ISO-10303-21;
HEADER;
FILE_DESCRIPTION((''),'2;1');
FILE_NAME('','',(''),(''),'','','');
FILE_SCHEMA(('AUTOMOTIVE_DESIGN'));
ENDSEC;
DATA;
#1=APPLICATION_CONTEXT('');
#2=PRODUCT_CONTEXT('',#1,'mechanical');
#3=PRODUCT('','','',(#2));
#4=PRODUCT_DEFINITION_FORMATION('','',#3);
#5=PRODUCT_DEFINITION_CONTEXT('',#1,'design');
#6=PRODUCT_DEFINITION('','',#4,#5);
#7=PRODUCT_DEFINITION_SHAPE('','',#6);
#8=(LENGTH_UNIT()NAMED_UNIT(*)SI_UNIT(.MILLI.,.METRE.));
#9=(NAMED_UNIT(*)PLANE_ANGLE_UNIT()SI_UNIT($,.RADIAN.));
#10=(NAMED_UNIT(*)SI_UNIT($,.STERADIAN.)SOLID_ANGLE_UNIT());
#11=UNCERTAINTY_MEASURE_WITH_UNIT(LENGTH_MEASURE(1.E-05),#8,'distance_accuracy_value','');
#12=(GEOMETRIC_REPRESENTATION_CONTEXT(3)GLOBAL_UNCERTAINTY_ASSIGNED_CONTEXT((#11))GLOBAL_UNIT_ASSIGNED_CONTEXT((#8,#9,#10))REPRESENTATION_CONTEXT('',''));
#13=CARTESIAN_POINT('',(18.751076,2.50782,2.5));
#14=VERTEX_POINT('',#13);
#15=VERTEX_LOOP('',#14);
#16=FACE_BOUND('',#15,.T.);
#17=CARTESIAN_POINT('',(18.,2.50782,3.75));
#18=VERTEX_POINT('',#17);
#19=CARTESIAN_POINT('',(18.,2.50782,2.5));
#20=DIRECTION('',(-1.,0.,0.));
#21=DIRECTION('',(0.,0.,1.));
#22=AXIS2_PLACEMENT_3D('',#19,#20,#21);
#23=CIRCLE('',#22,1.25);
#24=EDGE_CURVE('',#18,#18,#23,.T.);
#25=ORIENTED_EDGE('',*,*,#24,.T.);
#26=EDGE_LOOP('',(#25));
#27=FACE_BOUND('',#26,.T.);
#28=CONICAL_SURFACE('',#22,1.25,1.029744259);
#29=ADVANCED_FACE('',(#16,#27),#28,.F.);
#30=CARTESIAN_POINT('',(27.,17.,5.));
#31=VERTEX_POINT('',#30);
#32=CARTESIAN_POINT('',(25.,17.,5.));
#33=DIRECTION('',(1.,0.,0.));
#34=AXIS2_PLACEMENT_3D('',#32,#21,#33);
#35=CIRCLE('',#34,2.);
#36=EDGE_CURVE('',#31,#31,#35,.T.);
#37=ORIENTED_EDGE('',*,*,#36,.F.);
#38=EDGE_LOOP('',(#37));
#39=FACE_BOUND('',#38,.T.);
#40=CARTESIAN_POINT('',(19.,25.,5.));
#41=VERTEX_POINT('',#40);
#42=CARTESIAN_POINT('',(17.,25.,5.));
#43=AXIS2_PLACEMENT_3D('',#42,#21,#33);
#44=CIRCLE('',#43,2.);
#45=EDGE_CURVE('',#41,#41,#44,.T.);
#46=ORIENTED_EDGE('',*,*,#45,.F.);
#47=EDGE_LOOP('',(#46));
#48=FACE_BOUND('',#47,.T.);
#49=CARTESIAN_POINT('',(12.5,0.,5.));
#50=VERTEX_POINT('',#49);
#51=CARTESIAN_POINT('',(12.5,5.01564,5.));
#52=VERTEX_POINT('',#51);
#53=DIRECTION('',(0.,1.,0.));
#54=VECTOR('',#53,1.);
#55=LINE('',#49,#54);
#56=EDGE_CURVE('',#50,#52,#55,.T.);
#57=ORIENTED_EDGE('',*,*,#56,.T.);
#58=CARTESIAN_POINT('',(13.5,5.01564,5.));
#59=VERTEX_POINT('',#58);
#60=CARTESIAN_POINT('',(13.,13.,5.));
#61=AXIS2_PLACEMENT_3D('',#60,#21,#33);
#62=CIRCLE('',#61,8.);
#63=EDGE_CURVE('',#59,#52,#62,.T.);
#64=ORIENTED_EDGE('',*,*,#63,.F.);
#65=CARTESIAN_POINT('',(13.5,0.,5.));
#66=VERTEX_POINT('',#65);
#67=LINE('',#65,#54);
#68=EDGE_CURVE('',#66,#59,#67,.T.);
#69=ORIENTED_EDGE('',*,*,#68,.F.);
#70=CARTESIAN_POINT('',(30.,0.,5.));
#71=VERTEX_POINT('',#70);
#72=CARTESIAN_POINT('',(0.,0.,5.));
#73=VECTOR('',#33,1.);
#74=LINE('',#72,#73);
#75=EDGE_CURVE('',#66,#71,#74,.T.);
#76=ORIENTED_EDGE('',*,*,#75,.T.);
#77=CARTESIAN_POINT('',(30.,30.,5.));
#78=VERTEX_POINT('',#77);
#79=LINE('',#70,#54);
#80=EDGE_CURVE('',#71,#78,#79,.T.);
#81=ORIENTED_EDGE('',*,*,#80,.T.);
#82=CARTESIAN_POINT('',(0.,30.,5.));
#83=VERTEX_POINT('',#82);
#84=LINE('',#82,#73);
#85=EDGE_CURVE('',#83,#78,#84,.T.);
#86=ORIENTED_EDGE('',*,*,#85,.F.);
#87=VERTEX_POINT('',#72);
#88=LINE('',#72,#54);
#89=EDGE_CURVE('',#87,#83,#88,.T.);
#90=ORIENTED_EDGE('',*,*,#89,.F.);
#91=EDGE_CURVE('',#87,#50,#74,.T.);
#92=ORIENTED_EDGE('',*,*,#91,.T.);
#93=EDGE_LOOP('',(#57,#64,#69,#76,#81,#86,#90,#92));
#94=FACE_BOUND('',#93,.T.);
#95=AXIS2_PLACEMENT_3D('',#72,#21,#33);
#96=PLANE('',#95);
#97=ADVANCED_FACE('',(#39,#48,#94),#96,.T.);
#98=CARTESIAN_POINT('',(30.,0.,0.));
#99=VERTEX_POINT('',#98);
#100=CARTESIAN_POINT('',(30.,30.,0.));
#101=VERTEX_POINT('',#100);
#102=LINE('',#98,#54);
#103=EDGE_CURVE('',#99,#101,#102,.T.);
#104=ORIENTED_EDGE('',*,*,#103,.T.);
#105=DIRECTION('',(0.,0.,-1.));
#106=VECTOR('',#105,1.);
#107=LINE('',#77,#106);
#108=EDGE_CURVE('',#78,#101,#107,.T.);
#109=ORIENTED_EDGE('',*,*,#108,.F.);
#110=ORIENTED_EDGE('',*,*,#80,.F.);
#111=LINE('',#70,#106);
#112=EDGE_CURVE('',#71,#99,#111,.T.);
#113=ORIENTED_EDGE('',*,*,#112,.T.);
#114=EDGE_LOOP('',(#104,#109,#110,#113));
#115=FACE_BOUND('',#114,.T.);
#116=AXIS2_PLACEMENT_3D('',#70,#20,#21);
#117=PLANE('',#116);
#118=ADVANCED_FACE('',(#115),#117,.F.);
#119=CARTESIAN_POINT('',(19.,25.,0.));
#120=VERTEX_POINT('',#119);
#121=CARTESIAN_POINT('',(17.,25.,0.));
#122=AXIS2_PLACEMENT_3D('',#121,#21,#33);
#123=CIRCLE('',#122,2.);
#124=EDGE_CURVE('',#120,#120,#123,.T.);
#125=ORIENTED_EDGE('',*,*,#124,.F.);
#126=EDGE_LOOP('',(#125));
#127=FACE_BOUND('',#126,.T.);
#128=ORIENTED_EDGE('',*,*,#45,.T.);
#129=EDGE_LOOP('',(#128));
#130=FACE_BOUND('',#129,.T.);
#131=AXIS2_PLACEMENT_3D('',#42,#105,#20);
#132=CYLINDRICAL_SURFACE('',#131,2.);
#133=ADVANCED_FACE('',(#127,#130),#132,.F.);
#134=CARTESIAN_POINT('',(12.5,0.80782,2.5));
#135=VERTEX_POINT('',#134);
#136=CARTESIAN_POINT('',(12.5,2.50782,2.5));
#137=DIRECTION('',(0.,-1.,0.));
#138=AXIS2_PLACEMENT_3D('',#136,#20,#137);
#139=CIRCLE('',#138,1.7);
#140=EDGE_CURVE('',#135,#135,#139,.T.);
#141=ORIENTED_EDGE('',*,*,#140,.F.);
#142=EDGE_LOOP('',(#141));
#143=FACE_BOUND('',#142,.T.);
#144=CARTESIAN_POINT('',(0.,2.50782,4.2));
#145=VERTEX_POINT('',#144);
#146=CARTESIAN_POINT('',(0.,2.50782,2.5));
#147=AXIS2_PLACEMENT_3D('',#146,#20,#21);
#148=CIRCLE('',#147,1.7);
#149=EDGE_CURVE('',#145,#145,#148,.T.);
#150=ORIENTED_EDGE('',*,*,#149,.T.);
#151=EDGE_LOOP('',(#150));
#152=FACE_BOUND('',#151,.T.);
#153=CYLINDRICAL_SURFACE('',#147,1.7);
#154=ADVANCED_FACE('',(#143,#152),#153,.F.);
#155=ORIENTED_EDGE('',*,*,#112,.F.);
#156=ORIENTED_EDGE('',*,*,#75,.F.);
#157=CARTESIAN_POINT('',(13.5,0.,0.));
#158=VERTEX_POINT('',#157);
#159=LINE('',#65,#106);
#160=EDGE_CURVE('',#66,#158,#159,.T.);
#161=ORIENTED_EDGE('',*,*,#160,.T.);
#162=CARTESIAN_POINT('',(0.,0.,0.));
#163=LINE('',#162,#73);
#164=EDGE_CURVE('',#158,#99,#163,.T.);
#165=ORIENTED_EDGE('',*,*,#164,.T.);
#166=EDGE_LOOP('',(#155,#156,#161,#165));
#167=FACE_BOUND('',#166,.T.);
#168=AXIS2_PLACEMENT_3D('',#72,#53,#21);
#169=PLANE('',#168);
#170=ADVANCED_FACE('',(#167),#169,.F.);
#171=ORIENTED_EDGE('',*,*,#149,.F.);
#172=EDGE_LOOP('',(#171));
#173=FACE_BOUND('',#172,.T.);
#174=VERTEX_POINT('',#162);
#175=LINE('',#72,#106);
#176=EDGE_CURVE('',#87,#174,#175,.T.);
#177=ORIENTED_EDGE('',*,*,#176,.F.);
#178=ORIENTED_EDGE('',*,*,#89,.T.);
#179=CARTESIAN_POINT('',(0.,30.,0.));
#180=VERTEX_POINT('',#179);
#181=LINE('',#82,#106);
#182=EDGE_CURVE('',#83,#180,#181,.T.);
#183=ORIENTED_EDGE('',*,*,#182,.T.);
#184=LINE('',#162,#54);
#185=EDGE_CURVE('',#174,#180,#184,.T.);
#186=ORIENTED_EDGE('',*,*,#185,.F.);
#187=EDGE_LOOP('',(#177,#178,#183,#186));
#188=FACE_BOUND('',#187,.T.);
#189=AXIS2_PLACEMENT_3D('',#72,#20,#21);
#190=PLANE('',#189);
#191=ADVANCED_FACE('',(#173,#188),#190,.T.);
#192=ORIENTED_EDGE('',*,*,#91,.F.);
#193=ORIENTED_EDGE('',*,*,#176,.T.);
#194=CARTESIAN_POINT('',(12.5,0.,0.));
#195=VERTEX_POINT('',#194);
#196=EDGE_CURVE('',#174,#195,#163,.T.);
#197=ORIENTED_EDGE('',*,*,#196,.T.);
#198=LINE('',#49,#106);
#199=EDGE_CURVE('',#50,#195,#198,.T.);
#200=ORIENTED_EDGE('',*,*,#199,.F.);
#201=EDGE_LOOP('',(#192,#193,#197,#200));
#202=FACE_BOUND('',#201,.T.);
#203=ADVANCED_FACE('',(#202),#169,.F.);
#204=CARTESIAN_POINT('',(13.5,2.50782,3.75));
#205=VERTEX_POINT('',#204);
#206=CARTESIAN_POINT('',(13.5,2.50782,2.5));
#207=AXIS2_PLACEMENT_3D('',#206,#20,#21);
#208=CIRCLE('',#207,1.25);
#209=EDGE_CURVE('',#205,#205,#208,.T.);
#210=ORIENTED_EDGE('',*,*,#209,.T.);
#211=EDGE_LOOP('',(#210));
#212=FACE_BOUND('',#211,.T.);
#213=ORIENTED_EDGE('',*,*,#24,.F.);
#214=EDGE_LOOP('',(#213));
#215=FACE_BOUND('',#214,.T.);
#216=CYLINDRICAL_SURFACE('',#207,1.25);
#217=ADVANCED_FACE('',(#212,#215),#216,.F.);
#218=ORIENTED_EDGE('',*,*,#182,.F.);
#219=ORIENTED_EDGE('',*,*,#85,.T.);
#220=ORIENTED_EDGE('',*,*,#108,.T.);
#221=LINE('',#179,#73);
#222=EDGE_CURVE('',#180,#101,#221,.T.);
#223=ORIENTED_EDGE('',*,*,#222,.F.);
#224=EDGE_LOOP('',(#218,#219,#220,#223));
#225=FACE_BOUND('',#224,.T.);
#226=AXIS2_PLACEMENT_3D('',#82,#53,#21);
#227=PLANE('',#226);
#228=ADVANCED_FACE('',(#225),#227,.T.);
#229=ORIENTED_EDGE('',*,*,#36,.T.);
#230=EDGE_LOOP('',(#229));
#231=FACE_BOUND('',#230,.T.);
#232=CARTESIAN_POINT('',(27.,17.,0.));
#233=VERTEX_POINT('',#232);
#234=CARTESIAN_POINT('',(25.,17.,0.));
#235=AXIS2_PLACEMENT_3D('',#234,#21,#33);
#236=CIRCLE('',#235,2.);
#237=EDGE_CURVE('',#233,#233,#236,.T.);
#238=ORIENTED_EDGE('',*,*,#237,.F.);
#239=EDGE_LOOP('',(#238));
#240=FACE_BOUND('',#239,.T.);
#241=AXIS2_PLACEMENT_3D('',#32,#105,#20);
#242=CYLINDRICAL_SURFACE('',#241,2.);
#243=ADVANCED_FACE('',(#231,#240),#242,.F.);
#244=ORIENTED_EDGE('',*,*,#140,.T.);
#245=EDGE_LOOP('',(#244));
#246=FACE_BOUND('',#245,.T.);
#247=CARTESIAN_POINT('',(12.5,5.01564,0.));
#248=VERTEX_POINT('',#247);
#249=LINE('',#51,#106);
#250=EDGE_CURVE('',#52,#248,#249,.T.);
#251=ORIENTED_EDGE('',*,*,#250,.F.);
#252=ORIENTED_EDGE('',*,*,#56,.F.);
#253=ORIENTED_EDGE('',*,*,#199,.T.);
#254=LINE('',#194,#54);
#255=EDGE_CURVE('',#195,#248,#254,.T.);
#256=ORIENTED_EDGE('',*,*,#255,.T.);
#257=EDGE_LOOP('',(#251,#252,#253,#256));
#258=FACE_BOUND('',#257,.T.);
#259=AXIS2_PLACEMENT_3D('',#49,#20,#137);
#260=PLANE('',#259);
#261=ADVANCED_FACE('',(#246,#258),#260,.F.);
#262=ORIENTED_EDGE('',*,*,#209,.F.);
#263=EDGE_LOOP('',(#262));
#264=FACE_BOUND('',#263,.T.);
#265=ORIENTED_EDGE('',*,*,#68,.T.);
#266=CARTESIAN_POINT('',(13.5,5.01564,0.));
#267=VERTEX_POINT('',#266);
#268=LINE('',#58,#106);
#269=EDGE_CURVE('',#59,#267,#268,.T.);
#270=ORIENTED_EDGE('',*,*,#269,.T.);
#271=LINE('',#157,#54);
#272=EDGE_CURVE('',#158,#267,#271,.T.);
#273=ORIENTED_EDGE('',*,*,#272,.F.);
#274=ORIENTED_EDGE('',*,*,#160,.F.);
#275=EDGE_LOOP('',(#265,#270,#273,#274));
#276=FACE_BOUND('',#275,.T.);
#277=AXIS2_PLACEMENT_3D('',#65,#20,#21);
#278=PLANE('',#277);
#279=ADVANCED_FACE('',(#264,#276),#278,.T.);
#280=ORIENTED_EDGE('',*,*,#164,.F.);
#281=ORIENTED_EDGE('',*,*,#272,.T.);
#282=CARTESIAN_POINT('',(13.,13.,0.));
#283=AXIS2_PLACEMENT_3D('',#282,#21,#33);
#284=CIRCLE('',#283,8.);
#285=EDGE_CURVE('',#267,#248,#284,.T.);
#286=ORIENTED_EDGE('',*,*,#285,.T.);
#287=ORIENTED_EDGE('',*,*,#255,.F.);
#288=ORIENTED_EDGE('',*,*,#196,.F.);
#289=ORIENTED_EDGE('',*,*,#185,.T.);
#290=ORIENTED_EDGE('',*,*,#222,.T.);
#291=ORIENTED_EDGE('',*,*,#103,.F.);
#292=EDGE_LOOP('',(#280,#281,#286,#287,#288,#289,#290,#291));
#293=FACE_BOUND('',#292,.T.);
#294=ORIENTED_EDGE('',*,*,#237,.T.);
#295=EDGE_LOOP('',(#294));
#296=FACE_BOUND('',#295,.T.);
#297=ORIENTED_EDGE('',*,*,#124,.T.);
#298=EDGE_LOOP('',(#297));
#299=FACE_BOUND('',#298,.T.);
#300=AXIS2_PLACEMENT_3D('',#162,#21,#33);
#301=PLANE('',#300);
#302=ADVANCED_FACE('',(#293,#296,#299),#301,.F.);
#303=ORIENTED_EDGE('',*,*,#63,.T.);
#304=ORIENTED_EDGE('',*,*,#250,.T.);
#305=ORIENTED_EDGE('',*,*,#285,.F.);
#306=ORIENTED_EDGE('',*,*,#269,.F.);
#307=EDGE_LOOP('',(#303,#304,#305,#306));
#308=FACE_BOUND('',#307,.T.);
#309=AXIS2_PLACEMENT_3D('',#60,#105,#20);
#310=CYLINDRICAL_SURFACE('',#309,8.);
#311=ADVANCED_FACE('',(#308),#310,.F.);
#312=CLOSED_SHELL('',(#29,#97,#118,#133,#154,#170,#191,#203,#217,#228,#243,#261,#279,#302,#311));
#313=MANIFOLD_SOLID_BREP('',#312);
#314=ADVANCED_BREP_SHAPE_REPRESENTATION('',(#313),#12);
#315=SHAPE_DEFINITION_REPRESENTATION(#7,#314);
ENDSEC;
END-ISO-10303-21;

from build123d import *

# Parameters (mm, degrees)
SCHIZZO1_R                   = 2
ESTRUSIONE_ESTRUSIONE1_DEPTH = 5
FORO_PER_VITE_M3_1_D         = 3.4
FORO_PER_VITE_M3_1_DEPTH     = 12.5
FORO_FILETTATO_M3_1_D        = 2.5
FORO_FILETTATO_M3_1_DEPTH    = 4.5
FORO_FILETTATO_M3_1_TIP      = 0.751075774


with BuildPart() as part:
    # Schizzo1 → Estrusione-Estrusione1 (new body)
    with BuildSketch(Plane.XY):
        with BuildLine():
            Line((0, 30), (0, 0))
            Line((0, 0), (12.5, 0))
            Line((12.5, 0), (12.5, 5.015640289))
            ThreePointArc((12.5, 5.015640289), (13, 21), (13.5, 5.015640289))
            Line((13.5, 5.015640289), (13.5, 0))
            Line((13.5, 0), (30, 0))
            Line((30, 0), (30, 30))
            Line((30, 30), (0, 30))
        make_face()
        with Locations((25, 17)):
            Circle(SCHIZZO1_R, mode=Mode.SUBTRACT)
        with Locations((17, 25)):
            Circle(SCHIZZO1_R, mode=Mode.SUBTRACT)
    extrude(amount=ESTRUSIONE_ESTRUSIONE1_DEPTH)

    # Foro per Vite M3-1
    with Locations(Plane.ZY):
        with Locations((2.5, 2.507820144)):
            Hole(FORO_PER_VITE_M3_1_D / 2, depth=FORO_PER_VITE_M3_1_DEPTH)

    # Foro filettato M3-1
    with Locations(Plane.ZY.offset(-13.5)):
        with Locations((2.5, 2.507820144)):
            Hole(FORO_FILETTATO_M3_1_D / 2, depth=FORO_FILETTATO_M3_1_DEPTH)
            with Locations((0, 0, -(FORO_FILETTATO_M3_1_DEPTH + FORO_FILETTATO_M3_1_TIP / 2))):  # 118° drill point
                Cone(0, FORO_FILETTATO_M3_1_D / 2, FORO_FILETTATO_M3_1_TIP, mode=Mode.SUBTRACT)


solid = part.part
